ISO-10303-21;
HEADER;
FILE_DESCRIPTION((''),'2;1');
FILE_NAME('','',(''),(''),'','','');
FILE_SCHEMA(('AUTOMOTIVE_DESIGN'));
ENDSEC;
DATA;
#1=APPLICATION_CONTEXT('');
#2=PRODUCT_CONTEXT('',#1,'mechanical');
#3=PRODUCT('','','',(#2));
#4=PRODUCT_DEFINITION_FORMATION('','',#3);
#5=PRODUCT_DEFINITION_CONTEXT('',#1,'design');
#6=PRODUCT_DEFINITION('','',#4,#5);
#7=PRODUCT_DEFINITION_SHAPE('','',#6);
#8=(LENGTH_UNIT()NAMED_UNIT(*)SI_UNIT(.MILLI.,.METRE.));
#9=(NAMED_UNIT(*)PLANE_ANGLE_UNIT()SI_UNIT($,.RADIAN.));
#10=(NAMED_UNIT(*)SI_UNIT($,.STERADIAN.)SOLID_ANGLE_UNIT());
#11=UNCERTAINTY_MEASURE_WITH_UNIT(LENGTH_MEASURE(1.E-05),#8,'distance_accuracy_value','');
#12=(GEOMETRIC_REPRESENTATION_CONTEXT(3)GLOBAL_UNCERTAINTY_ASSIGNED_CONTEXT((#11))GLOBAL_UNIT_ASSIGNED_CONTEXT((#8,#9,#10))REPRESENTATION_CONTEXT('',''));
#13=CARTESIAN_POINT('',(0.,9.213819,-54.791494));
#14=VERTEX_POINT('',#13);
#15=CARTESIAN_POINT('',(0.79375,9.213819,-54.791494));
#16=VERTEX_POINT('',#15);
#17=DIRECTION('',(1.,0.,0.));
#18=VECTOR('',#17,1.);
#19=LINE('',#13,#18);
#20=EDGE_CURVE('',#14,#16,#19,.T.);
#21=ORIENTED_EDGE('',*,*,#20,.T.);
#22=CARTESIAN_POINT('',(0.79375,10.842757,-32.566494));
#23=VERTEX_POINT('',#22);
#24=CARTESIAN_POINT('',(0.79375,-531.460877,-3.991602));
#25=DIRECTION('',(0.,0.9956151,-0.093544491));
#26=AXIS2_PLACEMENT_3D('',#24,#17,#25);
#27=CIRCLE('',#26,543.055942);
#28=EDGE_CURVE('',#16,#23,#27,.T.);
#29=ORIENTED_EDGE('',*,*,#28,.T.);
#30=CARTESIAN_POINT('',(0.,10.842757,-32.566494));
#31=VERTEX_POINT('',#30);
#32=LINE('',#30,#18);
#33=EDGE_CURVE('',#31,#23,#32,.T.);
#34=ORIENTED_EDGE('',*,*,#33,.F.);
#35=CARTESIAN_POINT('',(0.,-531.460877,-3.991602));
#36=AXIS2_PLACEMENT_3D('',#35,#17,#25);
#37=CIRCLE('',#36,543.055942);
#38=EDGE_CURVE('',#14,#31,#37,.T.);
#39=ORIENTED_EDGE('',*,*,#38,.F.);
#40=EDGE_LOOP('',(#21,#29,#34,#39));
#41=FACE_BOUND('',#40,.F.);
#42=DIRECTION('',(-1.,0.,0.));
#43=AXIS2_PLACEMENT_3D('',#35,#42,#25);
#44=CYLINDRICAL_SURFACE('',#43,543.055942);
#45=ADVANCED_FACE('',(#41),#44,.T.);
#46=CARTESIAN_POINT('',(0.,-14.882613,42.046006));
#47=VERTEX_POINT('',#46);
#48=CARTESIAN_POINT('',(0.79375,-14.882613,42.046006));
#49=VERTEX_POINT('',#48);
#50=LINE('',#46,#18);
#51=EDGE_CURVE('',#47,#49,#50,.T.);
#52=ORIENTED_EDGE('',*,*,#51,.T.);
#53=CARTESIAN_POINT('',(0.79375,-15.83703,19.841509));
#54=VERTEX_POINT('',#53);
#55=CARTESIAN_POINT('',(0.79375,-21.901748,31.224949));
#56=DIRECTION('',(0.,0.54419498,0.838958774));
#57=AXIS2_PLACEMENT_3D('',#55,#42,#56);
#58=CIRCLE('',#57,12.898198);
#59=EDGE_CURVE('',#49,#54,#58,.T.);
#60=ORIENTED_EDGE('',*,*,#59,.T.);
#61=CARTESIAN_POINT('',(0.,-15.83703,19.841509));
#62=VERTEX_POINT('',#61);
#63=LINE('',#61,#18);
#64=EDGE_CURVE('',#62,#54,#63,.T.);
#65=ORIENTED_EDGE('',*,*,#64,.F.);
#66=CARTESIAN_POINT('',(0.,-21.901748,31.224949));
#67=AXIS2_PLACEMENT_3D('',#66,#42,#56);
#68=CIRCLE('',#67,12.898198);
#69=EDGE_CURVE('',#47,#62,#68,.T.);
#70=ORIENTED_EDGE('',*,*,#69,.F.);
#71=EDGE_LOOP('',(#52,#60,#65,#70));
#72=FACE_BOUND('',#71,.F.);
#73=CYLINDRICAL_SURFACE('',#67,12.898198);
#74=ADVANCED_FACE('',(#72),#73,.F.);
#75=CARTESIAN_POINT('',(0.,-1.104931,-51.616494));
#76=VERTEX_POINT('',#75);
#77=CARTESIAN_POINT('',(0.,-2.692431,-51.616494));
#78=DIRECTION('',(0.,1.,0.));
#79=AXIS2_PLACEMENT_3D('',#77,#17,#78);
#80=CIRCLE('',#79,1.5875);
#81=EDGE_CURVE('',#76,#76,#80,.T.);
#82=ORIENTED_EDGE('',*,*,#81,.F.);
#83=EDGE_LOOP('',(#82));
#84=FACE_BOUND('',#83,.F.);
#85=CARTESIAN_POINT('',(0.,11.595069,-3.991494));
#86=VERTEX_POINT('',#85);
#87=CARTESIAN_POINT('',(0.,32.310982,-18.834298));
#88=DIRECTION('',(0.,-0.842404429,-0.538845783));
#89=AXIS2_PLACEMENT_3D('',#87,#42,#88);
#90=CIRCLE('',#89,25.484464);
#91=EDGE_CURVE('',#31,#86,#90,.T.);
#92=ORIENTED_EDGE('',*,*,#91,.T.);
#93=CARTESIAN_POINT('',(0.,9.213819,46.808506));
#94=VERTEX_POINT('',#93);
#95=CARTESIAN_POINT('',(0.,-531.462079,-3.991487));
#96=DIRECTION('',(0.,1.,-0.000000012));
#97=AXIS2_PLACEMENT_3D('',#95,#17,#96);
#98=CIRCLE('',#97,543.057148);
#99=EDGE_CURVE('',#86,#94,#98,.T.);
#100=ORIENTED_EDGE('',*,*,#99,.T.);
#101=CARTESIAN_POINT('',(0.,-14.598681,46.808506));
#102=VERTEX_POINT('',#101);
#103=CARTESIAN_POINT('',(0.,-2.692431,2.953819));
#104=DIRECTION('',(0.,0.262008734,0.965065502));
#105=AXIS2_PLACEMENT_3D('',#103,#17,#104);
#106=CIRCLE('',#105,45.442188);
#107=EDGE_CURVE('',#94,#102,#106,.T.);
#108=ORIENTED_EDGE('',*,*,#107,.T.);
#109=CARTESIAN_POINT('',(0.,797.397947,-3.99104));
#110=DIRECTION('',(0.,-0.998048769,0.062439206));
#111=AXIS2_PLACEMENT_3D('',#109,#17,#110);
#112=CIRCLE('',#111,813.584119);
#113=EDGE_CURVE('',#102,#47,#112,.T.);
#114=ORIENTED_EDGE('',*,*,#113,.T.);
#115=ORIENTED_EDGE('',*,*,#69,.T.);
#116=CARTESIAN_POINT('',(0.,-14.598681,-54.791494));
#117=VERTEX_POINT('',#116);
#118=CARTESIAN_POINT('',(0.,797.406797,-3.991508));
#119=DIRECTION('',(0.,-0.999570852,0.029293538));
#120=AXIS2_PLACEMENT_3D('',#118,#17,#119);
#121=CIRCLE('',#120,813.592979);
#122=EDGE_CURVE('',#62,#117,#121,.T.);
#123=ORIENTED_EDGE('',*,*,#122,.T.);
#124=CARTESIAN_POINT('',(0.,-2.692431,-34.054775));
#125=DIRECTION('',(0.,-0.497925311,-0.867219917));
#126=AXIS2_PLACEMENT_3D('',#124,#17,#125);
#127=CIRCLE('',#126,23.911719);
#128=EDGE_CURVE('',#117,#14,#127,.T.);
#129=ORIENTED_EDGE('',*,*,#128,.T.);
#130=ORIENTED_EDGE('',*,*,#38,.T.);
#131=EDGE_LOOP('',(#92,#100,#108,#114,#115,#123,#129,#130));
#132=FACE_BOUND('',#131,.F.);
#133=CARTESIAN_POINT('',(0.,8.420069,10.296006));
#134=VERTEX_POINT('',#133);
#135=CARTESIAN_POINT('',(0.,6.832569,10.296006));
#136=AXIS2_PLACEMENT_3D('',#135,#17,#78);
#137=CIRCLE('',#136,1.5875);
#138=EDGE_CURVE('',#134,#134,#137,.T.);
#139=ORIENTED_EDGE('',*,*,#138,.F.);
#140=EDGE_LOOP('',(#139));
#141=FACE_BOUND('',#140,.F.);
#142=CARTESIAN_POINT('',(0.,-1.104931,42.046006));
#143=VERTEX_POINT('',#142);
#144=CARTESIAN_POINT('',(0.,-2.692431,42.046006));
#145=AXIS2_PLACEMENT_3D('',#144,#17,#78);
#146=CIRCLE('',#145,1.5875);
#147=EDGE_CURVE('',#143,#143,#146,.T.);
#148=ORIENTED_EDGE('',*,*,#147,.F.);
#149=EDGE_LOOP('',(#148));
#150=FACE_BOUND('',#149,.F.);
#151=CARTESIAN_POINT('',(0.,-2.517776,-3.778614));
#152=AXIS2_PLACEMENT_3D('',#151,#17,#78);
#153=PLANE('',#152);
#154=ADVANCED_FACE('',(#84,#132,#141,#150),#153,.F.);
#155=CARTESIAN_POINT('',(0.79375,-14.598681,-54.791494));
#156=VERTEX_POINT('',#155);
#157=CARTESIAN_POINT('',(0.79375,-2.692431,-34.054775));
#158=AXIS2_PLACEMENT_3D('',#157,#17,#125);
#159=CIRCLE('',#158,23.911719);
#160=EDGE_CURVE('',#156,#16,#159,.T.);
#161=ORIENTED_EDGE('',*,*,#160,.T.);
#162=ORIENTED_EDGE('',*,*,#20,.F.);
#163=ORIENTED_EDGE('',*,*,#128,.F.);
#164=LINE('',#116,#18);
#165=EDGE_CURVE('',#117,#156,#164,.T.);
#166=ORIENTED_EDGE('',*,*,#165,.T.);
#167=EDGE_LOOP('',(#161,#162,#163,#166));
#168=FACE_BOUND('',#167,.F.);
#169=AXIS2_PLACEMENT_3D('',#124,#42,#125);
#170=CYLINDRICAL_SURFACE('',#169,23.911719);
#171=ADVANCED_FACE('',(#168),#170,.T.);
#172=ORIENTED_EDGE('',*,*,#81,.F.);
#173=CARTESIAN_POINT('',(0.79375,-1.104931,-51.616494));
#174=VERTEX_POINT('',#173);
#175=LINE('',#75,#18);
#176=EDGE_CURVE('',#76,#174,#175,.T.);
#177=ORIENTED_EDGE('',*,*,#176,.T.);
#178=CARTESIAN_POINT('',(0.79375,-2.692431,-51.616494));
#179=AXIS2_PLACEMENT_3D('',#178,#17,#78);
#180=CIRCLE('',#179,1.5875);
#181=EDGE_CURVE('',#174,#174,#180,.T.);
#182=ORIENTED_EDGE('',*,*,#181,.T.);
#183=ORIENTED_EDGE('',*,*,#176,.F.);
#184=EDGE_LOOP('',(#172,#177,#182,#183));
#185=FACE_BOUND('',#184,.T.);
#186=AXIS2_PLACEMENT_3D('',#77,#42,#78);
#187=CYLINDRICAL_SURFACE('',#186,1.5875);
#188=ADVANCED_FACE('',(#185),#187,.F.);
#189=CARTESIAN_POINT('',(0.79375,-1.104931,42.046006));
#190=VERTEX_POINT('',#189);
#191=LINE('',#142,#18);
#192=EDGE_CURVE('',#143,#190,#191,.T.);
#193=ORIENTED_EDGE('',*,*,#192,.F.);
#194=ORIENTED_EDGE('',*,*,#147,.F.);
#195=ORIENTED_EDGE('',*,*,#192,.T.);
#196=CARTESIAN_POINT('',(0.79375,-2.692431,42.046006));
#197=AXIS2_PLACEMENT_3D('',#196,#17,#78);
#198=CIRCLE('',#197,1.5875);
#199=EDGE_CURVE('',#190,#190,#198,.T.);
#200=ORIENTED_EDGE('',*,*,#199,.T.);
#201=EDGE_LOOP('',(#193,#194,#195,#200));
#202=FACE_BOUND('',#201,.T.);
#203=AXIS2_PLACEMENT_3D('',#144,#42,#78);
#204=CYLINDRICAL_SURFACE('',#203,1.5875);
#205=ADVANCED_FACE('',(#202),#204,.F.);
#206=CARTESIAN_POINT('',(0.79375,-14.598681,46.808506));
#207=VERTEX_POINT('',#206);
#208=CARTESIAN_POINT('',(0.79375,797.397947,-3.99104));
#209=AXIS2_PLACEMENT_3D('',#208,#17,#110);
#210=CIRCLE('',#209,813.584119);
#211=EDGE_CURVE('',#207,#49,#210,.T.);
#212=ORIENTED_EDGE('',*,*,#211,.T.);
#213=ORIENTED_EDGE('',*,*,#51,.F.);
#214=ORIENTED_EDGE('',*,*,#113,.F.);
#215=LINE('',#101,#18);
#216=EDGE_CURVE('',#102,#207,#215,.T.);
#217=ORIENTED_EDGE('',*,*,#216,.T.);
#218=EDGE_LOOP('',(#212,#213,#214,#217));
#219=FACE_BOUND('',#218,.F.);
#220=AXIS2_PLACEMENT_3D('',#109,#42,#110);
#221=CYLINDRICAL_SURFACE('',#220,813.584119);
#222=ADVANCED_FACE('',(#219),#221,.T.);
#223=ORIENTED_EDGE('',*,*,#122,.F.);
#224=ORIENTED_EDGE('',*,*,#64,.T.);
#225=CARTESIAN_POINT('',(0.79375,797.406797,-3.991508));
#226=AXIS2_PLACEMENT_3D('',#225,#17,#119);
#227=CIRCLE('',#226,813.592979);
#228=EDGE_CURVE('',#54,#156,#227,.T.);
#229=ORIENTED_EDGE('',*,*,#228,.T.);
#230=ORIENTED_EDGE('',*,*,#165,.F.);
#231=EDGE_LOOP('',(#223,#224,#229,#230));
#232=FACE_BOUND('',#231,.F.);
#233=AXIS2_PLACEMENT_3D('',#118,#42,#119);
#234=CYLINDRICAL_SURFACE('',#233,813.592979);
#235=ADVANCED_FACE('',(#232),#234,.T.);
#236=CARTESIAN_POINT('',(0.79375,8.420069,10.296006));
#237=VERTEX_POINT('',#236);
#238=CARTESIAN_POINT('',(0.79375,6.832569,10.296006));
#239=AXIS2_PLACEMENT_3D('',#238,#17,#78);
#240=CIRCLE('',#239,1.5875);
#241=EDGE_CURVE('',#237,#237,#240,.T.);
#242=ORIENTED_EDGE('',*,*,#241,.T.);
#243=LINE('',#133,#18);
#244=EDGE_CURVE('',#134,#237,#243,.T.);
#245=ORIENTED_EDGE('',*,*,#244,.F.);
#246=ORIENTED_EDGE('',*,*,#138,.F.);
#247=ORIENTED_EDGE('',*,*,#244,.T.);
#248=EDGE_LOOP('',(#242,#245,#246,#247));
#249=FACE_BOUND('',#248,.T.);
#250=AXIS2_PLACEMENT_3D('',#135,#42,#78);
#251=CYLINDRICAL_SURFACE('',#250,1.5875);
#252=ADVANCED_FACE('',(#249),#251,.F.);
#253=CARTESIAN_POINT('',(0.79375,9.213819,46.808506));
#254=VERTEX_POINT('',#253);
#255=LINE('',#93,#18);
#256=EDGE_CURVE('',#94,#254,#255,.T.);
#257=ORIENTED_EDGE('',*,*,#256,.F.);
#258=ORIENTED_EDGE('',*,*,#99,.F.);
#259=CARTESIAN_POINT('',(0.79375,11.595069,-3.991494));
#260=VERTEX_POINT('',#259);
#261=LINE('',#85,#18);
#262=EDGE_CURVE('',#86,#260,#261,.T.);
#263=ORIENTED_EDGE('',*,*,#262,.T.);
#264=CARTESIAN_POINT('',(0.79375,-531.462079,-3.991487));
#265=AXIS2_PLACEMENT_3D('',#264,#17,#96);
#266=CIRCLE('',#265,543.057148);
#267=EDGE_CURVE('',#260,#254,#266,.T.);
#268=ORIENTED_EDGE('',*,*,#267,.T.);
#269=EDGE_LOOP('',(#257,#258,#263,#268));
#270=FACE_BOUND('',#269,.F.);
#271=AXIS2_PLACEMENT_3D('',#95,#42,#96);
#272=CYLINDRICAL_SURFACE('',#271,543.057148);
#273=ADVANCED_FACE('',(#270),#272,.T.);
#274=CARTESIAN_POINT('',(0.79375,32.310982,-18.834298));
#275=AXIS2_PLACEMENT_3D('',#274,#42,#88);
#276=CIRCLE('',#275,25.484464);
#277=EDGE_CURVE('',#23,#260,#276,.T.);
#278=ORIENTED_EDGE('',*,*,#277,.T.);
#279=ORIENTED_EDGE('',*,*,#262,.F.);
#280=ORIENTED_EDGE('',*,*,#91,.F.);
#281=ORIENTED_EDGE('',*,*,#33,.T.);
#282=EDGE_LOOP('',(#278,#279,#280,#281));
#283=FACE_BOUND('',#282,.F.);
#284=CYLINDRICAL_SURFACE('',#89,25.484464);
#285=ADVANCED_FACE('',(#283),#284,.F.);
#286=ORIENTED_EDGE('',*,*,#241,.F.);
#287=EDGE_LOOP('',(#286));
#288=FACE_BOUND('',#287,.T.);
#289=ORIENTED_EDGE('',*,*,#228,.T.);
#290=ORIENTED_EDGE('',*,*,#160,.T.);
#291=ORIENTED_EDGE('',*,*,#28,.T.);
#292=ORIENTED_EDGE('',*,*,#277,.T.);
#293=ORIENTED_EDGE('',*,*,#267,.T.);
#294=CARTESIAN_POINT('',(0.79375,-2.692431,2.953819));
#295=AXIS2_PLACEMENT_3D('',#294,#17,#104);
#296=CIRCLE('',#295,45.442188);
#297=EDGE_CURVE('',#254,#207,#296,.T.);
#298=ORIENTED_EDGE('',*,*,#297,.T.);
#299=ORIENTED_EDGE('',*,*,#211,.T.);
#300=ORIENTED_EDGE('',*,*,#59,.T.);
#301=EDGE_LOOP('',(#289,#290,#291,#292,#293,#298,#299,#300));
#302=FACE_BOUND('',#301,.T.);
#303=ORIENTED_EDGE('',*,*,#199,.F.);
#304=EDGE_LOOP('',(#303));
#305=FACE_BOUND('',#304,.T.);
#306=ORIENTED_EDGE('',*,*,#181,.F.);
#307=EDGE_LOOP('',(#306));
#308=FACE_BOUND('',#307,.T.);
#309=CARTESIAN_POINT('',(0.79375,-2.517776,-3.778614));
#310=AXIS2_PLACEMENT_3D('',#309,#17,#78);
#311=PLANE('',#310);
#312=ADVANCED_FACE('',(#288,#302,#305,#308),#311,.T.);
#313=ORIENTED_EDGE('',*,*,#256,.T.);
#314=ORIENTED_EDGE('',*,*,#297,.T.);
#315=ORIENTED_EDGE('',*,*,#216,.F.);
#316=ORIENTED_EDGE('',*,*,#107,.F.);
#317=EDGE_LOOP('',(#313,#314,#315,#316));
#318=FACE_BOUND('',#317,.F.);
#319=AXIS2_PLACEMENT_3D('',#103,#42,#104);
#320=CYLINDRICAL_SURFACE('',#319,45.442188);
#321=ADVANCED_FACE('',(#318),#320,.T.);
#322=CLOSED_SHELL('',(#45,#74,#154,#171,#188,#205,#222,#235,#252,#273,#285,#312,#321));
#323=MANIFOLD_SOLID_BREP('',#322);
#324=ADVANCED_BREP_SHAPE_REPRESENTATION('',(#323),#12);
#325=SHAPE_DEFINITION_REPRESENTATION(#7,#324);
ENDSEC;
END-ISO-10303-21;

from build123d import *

# Parameters (mm, degrees)
F0_R     = 1.5875
F1_DEPTH = 0.79375


with BuildPart() as f1:
    # F0 (on Right) → F1 (new body)
    with BuildSketch(Plane.YZ):
        with BuildLine():
            ThreePointArc((-14.598681, -54.791494), (-2.692431, -57.966494), (9.213819, -54.791494))
            ThreePointArc((9.213819, -54.791494), (10.142302, -43.68735), (10.842757, -32.566494))
            ThreePointArc((10.842757, -32.566494), (6.835346, -18.163585), (11.595069, -3.991494))
            ThreePointArc((11.595069, -3.991494), (10.99943, 21.436396), (9.213819, 46.808506))
            ThreePointArc((9.213819, 46.808506), (-2.692431, 48.396006), (-14.598681, 46.808506))
            ThreePointArc((-14.598681, 46.808506), (-14.744138, 44.427464), (-14.882613, 42.046006))
            ThreePointArc((-14.882613, 42.046006), (-9.015448, 30.671057), (-15.83703, 19.841509))
            ThreePointArc((-15.83703, 19.841509), (-16.074209, -17.489202), (-14.598681, -54.791494))
        make_face()
        with Locations((-2.692431, -51.616494)):
            Circle(F0_R, mode=Mode.SUBTRACT)
        with Locations((-2.692431, 42.046006)):
            Circle(F0_R, mode=Mode.SUBTRACT)
        with Locations((6.832569, 10.296006)):
            Circle(F0_R, mode=Mode.SUBTRACT)
    extrude(amount=F1_DEPTH)


solid = f1.part
